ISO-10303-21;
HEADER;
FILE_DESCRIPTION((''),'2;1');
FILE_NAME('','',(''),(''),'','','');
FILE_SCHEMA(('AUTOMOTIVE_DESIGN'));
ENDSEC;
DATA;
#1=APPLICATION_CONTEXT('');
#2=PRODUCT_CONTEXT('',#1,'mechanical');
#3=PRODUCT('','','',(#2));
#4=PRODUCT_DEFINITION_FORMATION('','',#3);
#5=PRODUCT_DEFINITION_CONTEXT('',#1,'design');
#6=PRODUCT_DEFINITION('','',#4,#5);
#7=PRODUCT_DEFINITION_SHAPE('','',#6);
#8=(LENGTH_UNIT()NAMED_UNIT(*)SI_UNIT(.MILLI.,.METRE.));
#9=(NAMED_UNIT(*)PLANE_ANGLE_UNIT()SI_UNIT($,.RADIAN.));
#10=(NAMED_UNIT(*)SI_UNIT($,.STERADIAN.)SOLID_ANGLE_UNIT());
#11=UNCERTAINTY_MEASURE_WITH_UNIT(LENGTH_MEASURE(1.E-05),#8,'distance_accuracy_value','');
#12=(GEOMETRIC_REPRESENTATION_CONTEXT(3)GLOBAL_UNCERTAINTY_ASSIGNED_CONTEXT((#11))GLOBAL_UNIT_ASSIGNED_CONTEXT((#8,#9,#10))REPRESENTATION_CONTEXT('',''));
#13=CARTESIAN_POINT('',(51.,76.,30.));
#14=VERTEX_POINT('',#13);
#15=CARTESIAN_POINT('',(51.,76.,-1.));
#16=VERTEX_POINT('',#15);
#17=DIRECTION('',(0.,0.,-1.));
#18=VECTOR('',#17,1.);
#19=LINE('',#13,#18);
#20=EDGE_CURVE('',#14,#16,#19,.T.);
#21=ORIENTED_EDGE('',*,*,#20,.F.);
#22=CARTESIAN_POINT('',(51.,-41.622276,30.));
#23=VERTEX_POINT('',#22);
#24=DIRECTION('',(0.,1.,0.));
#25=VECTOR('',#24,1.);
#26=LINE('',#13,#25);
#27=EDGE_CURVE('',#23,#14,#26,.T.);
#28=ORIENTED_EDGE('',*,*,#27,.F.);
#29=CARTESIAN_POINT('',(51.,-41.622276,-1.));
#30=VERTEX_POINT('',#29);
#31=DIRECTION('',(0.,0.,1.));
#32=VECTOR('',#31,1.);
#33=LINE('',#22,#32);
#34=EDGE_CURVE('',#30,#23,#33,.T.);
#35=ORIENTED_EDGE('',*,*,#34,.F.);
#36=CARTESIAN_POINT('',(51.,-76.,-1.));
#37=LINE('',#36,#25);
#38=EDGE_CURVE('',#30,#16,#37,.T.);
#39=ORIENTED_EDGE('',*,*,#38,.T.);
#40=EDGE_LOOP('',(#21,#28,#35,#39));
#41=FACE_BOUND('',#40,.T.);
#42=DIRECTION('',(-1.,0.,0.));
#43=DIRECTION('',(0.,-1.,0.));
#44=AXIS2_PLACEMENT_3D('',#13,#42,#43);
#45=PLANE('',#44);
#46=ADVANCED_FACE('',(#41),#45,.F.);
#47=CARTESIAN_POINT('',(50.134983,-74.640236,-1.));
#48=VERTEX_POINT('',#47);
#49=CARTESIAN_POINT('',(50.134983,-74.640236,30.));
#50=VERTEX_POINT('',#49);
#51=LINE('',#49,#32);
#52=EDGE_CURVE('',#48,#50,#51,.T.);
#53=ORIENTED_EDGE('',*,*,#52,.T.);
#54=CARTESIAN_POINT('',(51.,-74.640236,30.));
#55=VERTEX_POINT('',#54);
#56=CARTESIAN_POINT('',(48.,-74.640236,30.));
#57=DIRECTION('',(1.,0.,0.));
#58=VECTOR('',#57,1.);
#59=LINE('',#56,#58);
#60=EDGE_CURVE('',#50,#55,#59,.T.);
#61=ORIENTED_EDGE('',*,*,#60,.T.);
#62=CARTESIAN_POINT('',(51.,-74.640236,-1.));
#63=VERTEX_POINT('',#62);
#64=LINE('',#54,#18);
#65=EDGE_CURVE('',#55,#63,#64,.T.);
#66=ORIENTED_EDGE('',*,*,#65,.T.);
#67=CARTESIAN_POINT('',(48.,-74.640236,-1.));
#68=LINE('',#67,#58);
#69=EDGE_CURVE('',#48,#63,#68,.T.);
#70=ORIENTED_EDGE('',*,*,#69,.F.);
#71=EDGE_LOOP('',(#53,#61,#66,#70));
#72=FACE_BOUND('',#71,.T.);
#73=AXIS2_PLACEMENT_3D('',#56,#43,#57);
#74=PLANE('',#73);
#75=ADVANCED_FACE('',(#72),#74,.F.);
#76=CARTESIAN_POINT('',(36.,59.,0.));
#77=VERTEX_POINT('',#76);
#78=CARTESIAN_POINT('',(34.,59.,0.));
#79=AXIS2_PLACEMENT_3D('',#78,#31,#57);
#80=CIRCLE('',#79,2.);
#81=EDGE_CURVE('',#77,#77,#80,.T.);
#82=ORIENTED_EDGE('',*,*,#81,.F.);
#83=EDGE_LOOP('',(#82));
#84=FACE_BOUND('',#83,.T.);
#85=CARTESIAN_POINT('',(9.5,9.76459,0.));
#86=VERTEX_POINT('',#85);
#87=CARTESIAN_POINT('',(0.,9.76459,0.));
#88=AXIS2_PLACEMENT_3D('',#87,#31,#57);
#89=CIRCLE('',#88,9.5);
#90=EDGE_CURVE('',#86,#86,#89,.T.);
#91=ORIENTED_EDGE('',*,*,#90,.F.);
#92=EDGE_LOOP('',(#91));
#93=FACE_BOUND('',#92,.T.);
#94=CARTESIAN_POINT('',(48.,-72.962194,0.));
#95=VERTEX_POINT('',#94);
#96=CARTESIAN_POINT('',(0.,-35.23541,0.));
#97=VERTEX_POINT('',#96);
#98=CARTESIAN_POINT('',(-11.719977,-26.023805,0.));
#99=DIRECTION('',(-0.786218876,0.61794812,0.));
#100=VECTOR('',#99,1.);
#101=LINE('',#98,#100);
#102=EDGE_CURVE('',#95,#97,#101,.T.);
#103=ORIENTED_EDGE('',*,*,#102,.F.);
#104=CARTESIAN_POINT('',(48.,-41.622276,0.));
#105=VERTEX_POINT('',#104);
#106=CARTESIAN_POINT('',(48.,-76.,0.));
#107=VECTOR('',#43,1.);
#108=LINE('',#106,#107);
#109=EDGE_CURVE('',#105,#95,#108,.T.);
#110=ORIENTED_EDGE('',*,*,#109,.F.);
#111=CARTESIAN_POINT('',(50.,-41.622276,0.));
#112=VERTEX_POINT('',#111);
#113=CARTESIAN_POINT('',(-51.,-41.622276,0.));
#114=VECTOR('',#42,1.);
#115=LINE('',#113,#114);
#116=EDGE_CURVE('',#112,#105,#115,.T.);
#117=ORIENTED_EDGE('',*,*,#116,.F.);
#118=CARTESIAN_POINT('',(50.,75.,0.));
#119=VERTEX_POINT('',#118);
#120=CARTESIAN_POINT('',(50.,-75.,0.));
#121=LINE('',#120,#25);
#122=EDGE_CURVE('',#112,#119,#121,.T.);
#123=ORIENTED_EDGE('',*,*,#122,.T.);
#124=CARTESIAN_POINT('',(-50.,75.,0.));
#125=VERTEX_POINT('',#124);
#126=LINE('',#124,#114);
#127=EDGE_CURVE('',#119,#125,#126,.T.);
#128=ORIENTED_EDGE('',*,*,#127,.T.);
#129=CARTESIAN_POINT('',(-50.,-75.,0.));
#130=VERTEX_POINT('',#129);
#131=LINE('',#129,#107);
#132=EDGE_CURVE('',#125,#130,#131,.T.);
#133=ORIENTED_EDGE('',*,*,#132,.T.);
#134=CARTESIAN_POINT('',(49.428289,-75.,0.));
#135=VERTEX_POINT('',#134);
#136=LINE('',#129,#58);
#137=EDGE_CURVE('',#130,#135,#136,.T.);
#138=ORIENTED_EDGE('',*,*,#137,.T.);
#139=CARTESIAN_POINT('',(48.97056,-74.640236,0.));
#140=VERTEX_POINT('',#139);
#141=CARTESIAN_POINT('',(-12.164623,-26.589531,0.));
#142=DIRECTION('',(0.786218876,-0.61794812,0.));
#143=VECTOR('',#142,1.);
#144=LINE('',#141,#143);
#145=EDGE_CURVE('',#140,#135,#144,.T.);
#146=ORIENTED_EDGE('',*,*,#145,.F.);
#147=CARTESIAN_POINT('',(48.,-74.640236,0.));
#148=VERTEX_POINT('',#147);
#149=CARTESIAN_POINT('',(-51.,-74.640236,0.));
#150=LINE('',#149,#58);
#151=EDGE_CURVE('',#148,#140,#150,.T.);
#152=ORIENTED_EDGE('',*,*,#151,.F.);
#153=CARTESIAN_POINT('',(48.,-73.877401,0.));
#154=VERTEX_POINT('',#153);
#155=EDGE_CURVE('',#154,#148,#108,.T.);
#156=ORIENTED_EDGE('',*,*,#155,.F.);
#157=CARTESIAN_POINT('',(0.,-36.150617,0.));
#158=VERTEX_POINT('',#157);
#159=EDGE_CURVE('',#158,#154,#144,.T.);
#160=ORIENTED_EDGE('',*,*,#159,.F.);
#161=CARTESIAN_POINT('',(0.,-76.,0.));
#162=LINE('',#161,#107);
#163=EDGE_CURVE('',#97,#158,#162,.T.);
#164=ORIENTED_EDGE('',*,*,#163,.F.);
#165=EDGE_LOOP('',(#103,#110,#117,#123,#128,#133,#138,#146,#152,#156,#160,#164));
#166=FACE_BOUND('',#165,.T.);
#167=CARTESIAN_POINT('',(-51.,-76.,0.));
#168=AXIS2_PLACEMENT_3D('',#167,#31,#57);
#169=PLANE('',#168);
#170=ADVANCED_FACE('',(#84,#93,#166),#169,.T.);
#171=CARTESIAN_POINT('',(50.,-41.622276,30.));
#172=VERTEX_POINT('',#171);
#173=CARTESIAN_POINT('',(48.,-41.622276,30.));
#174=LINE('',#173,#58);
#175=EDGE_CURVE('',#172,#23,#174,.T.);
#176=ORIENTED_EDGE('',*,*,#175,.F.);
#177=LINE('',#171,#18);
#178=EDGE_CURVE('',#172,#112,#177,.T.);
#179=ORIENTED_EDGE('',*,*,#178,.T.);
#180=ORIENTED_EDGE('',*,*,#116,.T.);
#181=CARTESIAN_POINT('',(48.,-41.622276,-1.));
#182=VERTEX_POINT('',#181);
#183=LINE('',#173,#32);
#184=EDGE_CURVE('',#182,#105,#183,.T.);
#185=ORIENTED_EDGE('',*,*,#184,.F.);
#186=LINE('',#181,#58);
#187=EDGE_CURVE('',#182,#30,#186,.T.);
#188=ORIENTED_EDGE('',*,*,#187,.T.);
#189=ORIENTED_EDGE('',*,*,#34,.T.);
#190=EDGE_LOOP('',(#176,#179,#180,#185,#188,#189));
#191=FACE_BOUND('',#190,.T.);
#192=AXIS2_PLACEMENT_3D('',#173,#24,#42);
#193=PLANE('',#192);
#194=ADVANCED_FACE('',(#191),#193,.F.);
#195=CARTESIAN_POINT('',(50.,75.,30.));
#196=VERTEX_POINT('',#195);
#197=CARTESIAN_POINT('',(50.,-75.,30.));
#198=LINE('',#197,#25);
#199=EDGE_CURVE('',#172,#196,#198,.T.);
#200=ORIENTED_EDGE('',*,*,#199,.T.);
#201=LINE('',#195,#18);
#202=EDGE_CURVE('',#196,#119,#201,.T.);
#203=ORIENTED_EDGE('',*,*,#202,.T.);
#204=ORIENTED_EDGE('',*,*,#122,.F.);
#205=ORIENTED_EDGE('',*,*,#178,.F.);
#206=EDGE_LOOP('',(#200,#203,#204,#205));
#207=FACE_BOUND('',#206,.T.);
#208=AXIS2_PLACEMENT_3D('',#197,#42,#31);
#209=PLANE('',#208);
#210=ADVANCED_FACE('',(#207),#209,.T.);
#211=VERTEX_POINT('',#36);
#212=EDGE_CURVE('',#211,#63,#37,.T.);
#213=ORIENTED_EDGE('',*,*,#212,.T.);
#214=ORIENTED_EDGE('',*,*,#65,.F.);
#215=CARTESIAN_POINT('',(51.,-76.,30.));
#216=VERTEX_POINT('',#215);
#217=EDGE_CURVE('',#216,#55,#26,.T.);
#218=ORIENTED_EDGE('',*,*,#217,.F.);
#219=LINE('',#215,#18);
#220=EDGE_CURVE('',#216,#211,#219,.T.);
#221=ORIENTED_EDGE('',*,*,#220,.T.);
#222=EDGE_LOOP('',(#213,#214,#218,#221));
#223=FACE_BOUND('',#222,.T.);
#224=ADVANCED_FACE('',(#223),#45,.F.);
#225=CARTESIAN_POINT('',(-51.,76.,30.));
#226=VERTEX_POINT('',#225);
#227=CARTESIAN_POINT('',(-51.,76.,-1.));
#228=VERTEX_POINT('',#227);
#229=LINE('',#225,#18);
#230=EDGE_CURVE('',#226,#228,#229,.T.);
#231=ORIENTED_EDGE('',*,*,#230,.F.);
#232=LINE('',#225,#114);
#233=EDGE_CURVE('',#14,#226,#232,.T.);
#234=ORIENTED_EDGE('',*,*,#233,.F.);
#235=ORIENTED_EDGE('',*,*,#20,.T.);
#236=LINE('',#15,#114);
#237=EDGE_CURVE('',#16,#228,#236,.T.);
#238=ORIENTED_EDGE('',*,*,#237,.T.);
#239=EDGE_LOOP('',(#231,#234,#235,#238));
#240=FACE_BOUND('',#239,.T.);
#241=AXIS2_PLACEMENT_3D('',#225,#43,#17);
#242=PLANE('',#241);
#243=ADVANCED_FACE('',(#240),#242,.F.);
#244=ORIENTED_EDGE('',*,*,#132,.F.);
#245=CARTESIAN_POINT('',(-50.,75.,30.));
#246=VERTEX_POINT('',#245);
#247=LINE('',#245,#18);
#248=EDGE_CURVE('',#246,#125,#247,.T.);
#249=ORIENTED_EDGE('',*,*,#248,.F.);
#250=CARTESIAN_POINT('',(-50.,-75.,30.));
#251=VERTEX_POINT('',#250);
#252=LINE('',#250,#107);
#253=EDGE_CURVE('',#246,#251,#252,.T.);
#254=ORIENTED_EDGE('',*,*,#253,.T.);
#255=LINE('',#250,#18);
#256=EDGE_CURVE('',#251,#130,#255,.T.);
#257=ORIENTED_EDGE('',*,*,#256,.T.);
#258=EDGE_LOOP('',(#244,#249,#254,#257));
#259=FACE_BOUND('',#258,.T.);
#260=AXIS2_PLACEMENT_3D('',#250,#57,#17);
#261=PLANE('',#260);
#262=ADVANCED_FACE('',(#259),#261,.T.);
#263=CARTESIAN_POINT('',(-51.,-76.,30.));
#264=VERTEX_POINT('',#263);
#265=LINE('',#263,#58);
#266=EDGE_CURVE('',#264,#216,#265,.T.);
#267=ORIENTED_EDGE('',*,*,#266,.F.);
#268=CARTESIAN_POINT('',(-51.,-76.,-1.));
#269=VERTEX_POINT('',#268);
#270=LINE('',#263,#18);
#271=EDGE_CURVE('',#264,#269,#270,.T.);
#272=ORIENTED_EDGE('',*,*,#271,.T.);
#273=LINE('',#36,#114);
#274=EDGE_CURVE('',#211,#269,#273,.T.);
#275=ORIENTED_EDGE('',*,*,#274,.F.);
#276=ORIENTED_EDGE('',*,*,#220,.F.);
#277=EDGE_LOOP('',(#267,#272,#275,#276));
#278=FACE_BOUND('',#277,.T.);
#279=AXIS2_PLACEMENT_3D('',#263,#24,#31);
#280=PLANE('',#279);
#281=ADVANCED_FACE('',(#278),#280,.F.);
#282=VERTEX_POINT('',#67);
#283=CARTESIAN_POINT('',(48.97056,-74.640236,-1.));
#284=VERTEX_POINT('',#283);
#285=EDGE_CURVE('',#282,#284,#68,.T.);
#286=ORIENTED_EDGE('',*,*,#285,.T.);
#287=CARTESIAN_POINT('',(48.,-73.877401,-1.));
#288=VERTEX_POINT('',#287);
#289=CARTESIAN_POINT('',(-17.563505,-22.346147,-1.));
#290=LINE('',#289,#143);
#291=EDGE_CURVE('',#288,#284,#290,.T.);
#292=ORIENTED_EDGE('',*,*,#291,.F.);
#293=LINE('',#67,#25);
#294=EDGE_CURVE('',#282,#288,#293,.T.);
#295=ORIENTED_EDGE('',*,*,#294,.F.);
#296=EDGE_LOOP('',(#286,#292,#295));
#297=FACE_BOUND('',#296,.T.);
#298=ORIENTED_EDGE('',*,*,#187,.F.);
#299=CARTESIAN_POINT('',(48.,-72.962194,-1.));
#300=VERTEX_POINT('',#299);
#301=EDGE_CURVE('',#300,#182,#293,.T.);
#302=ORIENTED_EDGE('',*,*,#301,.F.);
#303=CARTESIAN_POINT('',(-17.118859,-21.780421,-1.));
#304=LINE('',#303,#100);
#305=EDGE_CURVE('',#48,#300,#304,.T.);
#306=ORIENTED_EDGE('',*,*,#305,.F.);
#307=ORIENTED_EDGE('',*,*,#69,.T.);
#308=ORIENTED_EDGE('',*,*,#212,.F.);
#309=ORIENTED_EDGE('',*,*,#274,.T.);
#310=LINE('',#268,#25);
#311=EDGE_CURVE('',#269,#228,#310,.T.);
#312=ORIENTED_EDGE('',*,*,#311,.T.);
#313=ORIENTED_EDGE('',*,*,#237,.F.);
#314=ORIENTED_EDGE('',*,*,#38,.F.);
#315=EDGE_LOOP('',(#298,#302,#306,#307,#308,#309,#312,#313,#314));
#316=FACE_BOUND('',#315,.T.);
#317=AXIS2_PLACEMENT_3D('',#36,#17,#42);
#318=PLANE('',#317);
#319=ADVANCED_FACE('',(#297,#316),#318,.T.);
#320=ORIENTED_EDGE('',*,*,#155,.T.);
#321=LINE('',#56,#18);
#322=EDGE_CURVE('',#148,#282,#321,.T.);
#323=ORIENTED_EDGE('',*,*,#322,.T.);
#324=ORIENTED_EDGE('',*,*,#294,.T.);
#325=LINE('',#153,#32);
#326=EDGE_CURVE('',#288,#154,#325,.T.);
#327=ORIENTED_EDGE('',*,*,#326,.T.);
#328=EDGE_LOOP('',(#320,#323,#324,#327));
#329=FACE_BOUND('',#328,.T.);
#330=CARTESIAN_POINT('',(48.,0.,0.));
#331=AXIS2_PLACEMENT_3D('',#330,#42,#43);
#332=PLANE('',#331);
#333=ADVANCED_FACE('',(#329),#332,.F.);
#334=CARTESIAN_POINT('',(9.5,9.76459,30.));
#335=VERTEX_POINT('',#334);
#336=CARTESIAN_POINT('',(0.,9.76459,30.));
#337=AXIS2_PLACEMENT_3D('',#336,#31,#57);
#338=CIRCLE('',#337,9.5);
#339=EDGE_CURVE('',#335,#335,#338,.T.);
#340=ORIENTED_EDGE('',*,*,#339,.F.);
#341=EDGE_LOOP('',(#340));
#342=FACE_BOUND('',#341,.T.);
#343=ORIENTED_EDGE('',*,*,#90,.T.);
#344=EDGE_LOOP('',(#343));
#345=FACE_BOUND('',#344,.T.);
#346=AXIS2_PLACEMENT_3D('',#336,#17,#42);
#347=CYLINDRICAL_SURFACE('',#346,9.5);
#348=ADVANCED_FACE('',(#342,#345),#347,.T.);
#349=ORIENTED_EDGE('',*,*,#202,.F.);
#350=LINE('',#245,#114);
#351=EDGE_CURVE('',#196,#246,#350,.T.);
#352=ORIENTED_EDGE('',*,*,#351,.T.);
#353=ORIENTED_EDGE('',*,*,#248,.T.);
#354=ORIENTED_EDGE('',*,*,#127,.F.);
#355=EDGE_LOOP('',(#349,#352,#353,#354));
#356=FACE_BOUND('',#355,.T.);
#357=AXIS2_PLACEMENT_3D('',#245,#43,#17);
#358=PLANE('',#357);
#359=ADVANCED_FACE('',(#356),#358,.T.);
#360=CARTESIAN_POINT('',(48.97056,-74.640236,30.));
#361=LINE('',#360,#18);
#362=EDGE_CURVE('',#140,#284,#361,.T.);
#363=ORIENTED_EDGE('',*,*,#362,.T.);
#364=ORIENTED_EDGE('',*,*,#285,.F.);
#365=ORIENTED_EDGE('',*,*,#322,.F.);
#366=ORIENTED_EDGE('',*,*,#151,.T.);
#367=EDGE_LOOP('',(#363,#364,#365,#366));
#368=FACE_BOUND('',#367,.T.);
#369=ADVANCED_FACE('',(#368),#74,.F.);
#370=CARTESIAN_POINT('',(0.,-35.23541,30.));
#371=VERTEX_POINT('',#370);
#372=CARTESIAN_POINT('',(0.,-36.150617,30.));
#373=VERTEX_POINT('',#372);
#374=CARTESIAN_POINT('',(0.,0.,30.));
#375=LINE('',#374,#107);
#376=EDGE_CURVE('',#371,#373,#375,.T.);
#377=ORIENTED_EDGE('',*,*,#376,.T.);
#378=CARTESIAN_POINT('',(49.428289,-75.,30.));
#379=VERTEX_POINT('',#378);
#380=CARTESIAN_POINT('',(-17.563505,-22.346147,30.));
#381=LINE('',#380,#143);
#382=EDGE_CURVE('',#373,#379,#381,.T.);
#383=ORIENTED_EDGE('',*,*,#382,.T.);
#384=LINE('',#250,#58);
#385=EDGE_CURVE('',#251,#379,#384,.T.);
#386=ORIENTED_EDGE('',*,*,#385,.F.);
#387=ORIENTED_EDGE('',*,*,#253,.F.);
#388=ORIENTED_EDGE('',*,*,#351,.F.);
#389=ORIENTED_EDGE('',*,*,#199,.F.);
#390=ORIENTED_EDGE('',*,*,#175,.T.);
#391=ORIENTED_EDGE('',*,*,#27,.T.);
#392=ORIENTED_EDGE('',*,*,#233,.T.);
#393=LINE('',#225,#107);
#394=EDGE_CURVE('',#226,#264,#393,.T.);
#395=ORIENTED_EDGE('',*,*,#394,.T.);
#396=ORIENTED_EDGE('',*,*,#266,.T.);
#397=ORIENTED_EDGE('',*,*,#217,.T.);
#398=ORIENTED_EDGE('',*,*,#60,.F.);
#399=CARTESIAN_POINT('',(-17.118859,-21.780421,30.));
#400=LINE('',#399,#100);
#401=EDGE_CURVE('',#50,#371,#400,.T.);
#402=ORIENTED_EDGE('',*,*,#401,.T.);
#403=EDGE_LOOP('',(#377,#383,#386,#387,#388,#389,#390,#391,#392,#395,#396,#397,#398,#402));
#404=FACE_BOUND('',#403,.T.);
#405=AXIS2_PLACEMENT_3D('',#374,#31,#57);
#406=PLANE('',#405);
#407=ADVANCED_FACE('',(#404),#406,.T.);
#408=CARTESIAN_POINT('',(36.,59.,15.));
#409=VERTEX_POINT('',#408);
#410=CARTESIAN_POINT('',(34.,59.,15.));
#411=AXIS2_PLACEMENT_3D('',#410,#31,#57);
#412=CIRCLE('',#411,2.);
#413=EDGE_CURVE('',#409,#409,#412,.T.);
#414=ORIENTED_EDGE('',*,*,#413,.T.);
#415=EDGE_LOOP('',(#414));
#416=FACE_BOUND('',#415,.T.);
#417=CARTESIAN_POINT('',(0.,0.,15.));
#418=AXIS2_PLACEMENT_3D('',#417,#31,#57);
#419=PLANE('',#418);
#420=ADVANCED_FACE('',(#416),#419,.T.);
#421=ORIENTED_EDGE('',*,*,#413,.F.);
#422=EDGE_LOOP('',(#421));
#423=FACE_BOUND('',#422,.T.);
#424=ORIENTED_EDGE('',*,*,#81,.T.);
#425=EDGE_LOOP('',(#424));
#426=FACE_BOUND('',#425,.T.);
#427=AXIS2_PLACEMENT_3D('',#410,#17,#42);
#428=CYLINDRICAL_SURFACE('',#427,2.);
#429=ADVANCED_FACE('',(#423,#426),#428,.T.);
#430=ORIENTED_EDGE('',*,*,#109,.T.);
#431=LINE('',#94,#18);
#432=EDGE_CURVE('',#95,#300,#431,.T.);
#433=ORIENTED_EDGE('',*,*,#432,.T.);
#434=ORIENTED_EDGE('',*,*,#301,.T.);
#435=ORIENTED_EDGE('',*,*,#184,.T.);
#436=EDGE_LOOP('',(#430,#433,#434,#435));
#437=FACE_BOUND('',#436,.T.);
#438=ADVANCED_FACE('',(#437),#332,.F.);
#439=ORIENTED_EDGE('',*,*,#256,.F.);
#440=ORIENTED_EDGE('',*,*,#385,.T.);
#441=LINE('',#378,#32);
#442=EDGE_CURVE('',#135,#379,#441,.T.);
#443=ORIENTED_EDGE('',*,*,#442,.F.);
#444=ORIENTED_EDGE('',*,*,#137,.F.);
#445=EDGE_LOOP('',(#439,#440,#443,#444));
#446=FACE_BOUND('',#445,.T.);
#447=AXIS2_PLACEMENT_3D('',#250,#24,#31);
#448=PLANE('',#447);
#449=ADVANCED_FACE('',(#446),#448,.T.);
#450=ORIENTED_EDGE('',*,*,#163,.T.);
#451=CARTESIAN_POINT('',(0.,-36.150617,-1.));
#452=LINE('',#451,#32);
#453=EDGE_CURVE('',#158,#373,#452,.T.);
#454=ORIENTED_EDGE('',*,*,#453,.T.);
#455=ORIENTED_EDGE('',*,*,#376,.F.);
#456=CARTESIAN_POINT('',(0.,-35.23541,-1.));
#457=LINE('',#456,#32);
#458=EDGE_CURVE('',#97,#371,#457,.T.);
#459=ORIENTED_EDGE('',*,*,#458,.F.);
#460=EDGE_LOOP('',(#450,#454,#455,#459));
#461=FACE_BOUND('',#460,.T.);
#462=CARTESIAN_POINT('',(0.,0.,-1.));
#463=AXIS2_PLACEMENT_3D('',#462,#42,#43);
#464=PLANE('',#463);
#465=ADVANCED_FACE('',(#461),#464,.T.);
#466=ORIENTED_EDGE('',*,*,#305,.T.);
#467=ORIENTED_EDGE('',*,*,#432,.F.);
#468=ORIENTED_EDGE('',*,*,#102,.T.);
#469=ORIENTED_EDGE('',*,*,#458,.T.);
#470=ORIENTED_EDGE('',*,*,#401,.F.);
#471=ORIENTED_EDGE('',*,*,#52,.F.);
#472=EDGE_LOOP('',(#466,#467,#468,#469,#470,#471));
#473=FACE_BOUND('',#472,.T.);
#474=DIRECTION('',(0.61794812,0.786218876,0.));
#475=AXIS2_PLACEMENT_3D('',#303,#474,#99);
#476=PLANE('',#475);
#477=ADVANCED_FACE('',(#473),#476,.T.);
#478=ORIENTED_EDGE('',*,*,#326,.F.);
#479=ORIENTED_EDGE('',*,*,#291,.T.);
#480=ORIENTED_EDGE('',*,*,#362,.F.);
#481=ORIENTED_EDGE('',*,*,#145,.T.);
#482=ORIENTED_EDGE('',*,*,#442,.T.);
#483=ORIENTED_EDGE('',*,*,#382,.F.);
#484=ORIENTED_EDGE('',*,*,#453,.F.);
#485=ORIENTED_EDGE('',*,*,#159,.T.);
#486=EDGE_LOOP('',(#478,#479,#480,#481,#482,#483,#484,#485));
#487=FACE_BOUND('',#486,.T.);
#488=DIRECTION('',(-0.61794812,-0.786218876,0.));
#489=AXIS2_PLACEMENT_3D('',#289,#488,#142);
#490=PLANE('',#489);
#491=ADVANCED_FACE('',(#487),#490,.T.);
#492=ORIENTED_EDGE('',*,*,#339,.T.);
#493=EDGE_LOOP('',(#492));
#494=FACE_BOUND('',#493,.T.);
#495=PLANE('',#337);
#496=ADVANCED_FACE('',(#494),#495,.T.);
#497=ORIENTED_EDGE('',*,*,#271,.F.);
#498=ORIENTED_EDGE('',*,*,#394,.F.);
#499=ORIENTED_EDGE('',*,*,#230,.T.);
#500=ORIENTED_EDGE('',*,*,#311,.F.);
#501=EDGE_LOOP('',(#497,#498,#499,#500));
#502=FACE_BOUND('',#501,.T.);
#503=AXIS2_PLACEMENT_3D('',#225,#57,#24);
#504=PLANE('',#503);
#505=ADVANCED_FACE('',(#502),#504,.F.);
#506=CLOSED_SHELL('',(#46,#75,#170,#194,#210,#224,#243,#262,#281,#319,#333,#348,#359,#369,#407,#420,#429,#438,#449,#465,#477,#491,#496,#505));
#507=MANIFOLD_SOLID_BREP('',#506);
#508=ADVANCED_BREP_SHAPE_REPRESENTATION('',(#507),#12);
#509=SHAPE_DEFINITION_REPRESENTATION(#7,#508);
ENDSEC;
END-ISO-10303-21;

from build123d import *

# Parameters (mm, degrees)
SKETCH_1_W           = 102
SKETCH_1_H           = 152
SKETCH_1_W_2         = 100
SKETCH_1_H_2         = 150
EXTRUDE_1_DEPTH      = 30
EXTRUDE_2_DEPTH      = 76
EXTRUDE_2_DEPTH_BACK = 76
SKETCH_2_W           = 102
SKETCH_2_H           = 1
SKETCH_3_R           = 9.5
EXTRUDE_3_DEPTH      = 30
EXTRUDE_4_DEPTH      = 15
SKETCH_6_W           = 31
SKETCH_6_H           = 33.017960066
CUT_EXTRUDE_1_DEPTH  = 3
EXTRUDE_5_DEPTH      = 31


with BuildPart() as part:
    # 草图1 → 凸台-拉伸1 (new body)
    with BuildSketch(Plane.XY):
        Rectangle(SKETCH_1_W, SKETCH_1_H)
        Rectangle(SKETCH_1_W_2, SKETCH_1_H_2, mode=Mode.SUBTRACT)
    extrude(amount=EXTRUDE_1_DEPTH)

    # 草图2 → 凸台-拉伸2 (add, two sides: drawn at the far end of the back side and taken through both)
    with BuildSketch(Plane(origin=(0, 0, 0), x_dir=(1, 0, 0), z_dir=(0, 1, 0)).offset(-EXTRUDE_2_DEPTH_BACK)):
        with Locations((0, 0.5)):
            Rectangle(SKETCH_2_W, SKETCH_2_H)
    extrude(amount=EXTRUDE_2_DEPTH + EXTRUDE_2_DEPTH_BACK)

    # 草图3 → 凸台-拉伸3 (add)
    with BuildSketch(Plane.XY):
        with Locations((0, 9.764589886)):
            Circle(SKETCH_3_R)
    extrude(amount=EXTRUDE_3_DEPTH)

    # 草图5 → 凸台-拉伸4 (add)
    with BuildSketch(Plane.XY):
        with BuildLine():
            ThreePointArc((36, 59), (35.414213562, 60.414213562), (34, 61))
            Line((34, 61), (34, 59))
            Line((34, 59), (36, 59))
        make_face()
        with BuildLine():
            Line((34, 59), (34, 61))
            ThreePointArc((34, 61), (32.585786438, 57.585786438), (36, 59))
            Line((36, 59), (34, 59))
        make_face()
    extrude(amount=EXTRUDE_4_DEPTH)

    # 草图6 → 切除-拉伸1 (cut)
    with BuildSketch(Plane(origin=(51, 0, 0), x_dir=(0, 0, -1), z_dir=(1, 0, 0))):
        with Locations((-14.5, -58.131256351)):
            Rectangle(SKETCH_6_W, SKETCH_6_H)
    extrude(amount=-CUT_EXTRUDE_1_DEPTH, mode=Mode.SUBTRACT)

    # 草图7 → 凸台-拉伸5 (add)
    with BuildSketch(Plane.XY.offset(30)):
        Polygon((49.826203417, -75.312750473), (51, -75.320118192), (0, -35.235410114), (0, -36.150616776), align=None)
    extrude(amount=-EXTRUDE_5_DEPTH)


solid = part.part
